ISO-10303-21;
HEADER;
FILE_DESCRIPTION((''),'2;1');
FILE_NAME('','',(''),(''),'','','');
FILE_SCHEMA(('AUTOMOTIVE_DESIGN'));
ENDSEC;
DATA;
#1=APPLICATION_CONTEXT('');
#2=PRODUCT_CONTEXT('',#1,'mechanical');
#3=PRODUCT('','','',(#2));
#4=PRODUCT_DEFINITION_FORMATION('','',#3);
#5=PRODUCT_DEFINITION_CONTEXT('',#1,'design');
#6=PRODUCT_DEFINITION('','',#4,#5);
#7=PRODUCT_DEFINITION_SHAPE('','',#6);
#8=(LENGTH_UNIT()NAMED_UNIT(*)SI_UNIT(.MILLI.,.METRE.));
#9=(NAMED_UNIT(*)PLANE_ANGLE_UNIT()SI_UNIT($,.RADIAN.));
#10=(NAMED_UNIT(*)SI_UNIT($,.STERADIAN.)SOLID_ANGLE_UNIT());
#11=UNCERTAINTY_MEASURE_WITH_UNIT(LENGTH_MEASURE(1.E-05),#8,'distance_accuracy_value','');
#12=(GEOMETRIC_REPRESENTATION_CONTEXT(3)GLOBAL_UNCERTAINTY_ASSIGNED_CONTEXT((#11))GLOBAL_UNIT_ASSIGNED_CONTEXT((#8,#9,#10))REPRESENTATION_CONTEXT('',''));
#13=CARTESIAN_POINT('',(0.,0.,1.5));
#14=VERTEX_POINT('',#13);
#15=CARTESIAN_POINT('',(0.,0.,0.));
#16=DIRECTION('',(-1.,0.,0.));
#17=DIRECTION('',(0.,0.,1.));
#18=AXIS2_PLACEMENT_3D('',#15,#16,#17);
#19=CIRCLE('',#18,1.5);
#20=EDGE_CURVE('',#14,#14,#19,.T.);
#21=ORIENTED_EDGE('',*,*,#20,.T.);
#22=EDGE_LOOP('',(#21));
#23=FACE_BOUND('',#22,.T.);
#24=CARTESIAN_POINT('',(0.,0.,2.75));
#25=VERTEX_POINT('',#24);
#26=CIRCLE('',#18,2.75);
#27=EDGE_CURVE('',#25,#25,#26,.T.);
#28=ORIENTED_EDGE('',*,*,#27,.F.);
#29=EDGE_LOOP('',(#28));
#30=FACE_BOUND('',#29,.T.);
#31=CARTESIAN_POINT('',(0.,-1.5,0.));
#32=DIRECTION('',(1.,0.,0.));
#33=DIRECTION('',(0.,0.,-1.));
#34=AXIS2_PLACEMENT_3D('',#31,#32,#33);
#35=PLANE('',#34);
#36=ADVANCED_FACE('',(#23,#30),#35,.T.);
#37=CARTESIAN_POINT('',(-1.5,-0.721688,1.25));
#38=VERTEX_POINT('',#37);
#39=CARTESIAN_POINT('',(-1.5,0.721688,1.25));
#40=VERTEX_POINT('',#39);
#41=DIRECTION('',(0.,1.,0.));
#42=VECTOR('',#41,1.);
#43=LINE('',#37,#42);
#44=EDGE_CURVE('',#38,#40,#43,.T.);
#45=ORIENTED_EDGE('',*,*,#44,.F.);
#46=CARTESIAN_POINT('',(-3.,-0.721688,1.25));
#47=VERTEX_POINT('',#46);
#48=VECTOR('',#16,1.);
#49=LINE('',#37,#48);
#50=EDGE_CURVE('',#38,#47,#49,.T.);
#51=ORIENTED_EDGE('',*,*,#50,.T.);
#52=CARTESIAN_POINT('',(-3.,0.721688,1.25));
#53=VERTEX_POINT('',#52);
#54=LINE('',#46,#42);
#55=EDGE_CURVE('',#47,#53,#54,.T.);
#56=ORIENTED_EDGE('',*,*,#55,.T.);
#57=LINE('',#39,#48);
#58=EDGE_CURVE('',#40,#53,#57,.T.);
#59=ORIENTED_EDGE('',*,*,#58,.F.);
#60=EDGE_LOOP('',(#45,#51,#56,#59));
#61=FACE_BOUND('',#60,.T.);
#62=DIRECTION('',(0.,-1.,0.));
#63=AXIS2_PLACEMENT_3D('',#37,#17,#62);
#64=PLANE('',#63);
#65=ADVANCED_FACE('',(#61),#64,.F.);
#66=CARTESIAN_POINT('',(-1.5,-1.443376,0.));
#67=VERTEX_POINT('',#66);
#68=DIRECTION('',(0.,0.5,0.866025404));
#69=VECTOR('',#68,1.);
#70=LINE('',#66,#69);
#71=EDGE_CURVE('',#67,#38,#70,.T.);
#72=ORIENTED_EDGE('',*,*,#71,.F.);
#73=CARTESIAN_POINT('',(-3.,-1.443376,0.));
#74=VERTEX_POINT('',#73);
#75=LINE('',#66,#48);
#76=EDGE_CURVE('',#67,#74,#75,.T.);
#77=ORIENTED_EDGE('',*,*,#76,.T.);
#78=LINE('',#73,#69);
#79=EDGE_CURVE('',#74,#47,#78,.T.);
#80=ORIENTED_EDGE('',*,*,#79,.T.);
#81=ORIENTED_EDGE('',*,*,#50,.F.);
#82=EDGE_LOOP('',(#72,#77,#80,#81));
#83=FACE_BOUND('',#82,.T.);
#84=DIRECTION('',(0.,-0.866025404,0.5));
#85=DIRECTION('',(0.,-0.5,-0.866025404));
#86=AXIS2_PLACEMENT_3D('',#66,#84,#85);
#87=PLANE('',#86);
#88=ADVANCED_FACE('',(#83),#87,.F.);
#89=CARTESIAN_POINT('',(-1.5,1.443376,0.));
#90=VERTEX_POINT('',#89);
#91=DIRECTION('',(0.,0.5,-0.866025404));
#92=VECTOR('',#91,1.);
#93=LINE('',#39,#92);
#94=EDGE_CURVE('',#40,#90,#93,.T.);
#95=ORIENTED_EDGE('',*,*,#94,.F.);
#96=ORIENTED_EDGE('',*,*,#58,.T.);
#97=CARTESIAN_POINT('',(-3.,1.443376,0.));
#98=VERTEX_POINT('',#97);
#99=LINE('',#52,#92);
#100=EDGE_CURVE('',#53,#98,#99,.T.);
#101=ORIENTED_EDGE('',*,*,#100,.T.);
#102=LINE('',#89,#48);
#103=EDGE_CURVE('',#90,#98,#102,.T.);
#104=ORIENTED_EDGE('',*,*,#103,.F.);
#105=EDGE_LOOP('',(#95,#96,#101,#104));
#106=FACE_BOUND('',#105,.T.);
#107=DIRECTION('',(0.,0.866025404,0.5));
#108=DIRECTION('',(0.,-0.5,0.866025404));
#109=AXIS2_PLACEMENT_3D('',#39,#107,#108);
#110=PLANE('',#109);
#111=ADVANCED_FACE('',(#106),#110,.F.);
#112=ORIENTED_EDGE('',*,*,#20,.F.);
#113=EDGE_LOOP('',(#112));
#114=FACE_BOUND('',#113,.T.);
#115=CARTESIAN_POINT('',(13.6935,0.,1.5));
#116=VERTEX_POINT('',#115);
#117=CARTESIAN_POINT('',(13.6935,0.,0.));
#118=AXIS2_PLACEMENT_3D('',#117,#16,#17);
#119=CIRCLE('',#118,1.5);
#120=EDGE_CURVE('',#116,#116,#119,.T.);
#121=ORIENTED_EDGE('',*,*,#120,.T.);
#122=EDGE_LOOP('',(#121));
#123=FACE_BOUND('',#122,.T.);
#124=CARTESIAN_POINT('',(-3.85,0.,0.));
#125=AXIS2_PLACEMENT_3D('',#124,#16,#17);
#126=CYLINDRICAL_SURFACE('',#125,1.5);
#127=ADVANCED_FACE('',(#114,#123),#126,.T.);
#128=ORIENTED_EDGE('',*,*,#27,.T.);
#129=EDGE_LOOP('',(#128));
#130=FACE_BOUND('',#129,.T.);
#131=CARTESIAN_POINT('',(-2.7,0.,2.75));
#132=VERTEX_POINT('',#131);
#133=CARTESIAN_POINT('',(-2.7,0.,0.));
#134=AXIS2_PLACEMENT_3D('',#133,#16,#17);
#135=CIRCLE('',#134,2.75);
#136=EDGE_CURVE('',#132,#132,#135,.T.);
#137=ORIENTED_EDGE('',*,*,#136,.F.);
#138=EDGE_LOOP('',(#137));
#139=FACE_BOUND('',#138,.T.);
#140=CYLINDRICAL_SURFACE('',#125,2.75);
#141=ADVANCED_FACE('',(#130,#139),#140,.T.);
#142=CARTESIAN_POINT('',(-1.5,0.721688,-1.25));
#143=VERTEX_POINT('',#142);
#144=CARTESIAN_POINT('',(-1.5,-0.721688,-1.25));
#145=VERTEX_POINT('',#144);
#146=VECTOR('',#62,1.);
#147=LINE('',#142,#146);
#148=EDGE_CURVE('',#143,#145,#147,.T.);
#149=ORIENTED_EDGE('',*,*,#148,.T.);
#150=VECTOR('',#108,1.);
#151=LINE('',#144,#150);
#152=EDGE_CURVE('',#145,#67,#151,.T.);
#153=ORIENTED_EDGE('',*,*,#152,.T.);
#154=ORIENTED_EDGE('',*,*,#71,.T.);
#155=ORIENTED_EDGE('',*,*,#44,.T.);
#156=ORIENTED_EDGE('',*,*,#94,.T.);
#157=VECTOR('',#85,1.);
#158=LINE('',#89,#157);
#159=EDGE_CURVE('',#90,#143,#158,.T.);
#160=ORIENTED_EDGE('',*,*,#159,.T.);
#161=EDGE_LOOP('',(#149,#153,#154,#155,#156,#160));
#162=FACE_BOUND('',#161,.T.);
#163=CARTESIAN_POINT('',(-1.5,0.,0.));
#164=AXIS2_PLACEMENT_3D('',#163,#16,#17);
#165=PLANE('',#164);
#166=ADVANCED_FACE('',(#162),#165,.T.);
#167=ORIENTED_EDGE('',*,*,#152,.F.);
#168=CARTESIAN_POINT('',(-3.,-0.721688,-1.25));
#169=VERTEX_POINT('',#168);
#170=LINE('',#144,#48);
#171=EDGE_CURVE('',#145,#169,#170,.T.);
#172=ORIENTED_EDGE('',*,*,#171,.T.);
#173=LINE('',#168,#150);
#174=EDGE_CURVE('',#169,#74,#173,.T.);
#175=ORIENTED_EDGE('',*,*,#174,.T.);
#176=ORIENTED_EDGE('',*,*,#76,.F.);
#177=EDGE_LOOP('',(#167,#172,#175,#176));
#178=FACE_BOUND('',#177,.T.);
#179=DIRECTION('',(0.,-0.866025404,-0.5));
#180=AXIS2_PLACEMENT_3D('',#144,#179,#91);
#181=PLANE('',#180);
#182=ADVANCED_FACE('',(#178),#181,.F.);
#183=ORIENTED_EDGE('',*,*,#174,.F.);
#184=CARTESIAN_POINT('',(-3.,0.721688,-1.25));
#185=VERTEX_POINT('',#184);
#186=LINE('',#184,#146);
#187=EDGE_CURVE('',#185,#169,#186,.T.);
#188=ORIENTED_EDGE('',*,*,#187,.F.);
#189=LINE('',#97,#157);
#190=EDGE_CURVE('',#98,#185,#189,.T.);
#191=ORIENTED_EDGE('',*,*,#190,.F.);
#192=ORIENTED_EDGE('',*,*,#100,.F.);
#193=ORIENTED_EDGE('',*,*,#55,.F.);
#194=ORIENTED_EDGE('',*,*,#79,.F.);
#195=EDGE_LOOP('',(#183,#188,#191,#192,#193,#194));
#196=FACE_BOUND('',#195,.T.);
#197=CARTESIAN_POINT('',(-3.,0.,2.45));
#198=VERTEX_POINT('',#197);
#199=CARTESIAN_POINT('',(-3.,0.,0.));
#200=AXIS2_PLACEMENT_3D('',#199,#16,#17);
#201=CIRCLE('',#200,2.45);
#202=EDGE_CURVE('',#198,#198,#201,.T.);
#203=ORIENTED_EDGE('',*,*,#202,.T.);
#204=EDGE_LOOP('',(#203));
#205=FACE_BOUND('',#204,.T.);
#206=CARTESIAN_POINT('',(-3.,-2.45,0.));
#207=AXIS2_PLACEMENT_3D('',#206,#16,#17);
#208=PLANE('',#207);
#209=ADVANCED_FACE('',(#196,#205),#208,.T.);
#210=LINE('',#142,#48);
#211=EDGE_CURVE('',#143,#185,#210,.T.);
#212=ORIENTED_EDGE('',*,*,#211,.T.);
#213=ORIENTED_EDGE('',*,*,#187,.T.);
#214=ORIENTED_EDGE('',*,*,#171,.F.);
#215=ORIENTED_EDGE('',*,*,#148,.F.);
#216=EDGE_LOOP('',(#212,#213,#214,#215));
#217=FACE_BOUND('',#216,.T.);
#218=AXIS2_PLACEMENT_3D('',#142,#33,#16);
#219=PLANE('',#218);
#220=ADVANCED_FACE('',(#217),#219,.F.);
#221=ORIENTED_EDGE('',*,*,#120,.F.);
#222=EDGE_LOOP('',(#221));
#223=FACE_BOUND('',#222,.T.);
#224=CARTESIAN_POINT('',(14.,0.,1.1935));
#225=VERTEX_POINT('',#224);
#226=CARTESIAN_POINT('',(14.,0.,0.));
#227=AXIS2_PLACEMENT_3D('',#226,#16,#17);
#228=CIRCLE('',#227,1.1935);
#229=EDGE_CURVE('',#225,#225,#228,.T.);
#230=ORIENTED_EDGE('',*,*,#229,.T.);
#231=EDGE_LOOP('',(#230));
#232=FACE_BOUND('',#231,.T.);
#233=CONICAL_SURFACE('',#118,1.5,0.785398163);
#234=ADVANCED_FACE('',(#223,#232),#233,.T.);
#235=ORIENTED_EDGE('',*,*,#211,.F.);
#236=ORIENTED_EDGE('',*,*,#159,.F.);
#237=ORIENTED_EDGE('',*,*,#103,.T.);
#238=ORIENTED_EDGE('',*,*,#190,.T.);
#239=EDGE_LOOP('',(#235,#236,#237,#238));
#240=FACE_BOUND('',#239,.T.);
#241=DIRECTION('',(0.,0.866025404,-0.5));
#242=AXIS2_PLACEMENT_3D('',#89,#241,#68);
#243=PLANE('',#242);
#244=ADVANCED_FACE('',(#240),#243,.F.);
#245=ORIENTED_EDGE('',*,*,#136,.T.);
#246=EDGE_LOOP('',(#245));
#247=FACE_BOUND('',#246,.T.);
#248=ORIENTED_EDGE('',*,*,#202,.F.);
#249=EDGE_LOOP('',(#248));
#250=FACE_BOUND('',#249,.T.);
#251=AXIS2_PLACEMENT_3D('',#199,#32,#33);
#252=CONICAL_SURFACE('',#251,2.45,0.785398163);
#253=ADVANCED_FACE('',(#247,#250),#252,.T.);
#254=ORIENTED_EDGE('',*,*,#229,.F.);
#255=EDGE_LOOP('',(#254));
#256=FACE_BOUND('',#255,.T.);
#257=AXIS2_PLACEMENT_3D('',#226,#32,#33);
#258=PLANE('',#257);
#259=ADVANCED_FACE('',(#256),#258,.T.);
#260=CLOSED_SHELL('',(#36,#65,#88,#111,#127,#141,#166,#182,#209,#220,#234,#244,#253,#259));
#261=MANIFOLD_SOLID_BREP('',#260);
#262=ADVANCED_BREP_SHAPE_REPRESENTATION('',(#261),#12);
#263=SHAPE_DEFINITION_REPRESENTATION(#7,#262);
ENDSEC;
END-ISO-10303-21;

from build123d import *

# Parameters (mm, degrees)
CUT_EXTRUDE1_DEPTH = 1.5


with BuildPart() as part:
    # Sketch1 → Revolve1 (revolve)
    with BuildSketch(Plane.XY):
        Polygon((-3, 0), (14, 0), (14, -1.1935), (13.6935, -1.5), (0, -1.5), (0, -2.75), (-2.7, -2.75), (-3, -2.45), align=None)
    revolve(axis=Axis((-3.85, 0, 0), (1, 0, 0)))

    # Sketch2 → Cut-Extrude1 (cut)
    with BuildSketch(Plane.ZY.offset(3)):
        Polygon((0, 1.443375673), (-1.25, 0.721687836), (-1.25, -0.721687836), (0, -1.443375673), (1.25, -0.721687836), (1.25, 0.721687836), align=None)
    extrude(amount=-CUT_EXTRUDE1_DEPTH, mode=Mode.SUBTRACT)


solid = part.part
